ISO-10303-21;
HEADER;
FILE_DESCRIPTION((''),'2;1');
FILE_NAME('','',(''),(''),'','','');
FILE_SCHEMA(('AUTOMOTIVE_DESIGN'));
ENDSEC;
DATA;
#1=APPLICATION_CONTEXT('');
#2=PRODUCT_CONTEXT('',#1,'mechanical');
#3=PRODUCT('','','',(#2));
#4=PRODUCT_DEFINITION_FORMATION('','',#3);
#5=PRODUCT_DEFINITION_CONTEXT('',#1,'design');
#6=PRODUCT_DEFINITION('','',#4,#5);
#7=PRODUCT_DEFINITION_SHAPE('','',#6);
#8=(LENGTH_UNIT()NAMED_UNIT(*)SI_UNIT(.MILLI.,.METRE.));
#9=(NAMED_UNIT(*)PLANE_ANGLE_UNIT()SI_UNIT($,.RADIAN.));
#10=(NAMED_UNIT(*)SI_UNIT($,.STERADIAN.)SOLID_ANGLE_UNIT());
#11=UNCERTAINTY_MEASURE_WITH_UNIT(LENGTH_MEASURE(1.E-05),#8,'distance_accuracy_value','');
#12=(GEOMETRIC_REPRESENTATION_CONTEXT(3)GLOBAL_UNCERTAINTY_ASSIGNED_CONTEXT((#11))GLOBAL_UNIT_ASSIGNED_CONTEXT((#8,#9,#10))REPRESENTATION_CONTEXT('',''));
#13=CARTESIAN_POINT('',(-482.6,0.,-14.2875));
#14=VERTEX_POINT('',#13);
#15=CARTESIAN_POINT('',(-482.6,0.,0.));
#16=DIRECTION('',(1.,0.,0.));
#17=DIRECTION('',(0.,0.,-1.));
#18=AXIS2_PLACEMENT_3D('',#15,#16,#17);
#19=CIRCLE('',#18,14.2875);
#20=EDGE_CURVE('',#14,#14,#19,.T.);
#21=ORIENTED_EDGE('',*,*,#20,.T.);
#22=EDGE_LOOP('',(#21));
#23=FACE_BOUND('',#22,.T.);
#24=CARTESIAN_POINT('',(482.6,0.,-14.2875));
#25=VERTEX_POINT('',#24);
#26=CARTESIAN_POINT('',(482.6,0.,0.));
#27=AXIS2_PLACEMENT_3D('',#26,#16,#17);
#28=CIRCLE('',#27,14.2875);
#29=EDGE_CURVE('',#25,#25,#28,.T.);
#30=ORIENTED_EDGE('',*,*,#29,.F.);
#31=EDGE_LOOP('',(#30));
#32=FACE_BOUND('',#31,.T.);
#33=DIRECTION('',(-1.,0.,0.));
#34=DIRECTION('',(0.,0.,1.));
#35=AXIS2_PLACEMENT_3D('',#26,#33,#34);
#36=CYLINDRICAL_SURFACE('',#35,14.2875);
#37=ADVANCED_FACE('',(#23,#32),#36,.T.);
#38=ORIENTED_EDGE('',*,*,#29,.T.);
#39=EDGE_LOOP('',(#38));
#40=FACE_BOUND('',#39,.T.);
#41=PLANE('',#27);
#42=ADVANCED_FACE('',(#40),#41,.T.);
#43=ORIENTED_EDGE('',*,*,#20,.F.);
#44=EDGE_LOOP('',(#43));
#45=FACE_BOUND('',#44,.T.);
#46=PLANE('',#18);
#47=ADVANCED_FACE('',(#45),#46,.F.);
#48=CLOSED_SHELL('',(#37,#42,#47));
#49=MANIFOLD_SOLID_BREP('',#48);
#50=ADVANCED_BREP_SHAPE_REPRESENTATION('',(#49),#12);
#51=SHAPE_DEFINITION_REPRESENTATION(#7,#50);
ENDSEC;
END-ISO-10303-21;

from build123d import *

# Parameters (mm, degrees)
SKETCH1_R           = 14.2875
BOSS_EXTRUDE1_DEPTH = 482.6


with BuildPart() as part:
    # Sketch1 → Boss-Extrude1 (new body, symmetric)
    with BuildSketch(Plane(origin=(0, 0, 0), x_dir=(0, 0, -1), z_dir=(1, 0, 0))):
        Circle(SKETCH1_R)
    extrude(amount=BOSS_EXTRUDE1_DEPTH, both=True)


solid = part.part
